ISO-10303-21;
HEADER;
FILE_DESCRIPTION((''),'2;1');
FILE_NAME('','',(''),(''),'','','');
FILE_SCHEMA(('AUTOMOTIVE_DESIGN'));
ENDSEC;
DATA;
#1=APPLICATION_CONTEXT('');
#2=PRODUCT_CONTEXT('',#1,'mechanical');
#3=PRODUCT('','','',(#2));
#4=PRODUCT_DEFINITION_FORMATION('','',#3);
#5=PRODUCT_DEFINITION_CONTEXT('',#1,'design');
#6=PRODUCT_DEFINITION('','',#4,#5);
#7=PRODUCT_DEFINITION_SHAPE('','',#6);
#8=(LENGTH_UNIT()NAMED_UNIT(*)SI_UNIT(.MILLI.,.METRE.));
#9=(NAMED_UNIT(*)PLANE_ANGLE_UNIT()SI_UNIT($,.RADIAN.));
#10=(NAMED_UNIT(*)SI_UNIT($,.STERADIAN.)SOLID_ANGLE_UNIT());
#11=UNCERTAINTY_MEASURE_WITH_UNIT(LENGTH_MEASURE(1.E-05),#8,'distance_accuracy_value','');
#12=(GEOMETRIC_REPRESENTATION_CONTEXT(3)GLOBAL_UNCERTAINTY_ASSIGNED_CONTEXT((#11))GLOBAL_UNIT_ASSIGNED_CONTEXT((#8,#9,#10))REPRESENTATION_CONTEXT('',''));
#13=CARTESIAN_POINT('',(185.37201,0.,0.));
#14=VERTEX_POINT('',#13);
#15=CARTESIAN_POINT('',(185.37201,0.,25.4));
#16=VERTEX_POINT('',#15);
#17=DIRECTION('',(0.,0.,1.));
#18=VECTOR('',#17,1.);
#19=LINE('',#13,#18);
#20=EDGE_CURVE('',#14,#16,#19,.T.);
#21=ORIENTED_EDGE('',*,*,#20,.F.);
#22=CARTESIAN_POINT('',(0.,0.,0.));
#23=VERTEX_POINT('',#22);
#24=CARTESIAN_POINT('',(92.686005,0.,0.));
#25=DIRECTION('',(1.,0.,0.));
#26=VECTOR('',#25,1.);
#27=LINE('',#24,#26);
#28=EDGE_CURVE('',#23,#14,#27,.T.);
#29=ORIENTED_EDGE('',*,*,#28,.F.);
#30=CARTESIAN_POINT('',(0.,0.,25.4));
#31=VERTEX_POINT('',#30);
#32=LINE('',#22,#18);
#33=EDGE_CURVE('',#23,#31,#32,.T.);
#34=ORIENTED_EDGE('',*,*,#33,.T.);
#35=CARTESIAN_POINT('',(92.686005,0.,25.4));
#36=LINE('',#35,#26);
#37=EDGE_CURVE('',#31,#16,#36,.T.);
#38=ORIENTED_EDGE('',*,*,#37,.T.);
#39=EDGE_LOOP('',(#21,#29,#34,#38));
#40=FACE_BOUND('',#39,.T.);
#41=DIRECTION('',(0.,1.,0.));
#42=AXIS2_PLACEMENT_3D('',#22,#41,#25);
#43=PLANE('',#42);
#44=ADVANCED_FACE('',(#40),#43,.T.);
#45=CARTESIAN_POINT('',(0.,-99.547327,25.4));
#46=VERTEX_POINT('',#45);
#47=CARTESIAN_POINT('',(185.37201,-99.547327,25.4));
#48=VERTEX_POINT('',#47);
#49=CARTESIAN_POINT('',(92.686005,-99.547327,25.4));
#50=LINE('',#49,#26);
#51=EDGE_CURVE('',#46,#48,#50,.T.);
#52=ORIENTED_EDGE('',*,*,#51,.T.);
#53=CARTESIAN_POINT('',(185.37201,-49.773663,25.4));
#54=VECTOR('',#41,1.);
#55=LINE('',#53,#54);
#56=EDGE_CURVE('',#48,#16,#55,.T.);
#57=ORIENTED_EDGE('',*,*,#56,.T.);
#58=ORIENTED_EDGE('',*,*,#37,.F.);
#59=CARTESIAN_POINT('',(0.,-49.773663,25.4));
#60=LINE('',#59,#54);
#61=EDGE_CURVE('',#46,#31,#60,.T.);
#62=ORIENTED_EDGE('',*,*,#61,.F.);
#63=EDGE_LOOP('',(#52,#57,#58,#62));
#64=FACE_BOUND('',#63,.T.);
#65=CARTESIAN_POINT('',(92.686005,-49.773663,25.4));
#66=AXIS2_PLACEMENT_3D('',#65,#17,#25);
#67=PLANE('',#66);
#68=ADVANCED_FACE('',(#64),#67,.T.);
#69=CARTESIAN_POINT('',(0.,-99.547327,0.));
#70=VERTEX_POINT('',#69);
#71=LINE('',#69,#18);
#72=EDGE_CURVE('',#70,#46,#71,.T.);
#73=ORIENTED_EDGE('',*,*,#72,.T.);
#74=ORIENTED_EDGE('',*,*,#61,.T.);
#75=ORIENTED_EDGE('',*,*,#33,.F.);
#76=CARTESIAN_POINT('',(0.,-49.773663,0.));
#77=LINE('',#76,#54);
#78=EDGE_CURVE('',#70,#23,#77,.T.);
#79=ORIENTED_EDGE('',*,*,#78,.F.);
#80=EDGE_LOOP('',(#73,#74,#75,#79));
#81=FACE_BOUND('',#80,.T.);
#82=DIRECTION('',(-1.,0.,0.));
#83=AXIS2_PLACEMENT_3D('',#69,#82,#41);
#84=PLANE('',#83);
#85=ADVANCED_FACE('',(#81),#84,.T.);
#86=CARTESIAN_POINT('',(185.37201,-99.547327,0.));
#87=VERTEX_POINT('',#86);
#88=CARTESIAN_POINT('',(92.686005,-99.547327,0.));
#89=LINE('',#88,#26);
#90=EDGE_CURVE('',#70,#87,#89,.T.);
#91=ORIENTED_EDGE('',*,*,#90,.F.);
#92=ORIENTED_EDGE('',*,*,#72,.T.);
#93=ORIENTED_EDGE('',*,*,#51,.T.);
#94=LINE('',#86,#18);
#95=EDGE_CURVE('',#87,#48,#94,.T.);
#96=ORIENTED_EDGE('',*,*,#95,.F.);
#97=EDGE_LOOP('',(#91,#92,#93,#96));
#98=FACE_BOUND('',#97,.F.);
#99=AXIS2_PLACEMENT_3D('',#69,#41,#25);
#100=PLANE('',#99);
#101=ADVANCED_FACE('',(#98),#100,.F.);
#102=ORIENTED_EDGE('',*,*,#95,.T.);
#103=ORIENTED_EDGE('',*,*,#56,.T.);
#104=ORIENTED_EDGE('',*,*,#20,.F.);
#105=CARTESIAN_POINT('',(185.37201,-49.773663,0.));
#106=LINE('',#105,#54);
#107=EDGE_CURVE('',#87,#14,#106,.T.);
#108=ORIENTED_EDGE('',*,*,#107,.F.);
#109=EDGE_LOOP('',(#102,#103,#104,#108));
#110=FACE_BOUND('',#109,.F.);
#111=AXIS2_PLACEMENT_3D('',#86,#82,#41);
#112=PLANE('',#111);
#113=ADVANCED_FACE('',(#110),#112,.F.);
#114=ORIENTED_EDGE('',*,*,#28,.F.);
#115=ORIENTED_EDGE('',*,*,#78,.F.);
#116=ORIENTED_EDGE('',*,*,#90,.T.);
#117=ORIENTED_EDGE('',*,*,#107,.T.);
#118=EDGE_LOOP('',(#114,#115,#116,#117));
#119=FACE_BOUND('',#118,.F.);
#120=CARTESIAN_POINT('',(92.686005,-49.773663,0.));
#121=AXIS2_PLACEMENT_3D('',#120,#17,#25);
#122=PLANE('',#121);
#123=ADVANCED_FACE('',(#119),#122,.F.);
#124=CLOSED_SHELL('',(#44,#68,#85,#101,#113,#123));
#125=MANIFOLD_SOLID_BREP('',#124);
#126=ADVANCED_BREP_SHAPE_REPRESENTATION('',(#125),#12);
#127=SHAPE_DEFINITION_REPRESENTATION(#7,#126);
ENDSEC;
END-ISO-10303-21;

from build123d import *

# Parameters (mm, degrees)
F0_W     = 185.3720098734
F0_H     = 99.5473265648
F1_DEPTH = 25.4
F2_R     = 38.1
F3_DEPTH = 41.656
F3_TAPER = -3


with BuildPart() as f1:
    # F0 (on Top) → F1 (new body)
    with BuildSketch(Plane.XY):
        with Locations((92.6860049367, -49.7736632824)):
            Rectangle(F0_W, F0_H)
    extrude(amount=F1_DEPTH)

    # F2 (on Top) → F3 (cut)
    with BuildSketch(Plane.XY):
        with Locations((71.4801028371, 40.64)):
            Circle(F2_R)
    extrude(amount=F3_DEPTH, taper=F3_TAPER, mode=Mode.SUBTRACT)


solid = f1.part
